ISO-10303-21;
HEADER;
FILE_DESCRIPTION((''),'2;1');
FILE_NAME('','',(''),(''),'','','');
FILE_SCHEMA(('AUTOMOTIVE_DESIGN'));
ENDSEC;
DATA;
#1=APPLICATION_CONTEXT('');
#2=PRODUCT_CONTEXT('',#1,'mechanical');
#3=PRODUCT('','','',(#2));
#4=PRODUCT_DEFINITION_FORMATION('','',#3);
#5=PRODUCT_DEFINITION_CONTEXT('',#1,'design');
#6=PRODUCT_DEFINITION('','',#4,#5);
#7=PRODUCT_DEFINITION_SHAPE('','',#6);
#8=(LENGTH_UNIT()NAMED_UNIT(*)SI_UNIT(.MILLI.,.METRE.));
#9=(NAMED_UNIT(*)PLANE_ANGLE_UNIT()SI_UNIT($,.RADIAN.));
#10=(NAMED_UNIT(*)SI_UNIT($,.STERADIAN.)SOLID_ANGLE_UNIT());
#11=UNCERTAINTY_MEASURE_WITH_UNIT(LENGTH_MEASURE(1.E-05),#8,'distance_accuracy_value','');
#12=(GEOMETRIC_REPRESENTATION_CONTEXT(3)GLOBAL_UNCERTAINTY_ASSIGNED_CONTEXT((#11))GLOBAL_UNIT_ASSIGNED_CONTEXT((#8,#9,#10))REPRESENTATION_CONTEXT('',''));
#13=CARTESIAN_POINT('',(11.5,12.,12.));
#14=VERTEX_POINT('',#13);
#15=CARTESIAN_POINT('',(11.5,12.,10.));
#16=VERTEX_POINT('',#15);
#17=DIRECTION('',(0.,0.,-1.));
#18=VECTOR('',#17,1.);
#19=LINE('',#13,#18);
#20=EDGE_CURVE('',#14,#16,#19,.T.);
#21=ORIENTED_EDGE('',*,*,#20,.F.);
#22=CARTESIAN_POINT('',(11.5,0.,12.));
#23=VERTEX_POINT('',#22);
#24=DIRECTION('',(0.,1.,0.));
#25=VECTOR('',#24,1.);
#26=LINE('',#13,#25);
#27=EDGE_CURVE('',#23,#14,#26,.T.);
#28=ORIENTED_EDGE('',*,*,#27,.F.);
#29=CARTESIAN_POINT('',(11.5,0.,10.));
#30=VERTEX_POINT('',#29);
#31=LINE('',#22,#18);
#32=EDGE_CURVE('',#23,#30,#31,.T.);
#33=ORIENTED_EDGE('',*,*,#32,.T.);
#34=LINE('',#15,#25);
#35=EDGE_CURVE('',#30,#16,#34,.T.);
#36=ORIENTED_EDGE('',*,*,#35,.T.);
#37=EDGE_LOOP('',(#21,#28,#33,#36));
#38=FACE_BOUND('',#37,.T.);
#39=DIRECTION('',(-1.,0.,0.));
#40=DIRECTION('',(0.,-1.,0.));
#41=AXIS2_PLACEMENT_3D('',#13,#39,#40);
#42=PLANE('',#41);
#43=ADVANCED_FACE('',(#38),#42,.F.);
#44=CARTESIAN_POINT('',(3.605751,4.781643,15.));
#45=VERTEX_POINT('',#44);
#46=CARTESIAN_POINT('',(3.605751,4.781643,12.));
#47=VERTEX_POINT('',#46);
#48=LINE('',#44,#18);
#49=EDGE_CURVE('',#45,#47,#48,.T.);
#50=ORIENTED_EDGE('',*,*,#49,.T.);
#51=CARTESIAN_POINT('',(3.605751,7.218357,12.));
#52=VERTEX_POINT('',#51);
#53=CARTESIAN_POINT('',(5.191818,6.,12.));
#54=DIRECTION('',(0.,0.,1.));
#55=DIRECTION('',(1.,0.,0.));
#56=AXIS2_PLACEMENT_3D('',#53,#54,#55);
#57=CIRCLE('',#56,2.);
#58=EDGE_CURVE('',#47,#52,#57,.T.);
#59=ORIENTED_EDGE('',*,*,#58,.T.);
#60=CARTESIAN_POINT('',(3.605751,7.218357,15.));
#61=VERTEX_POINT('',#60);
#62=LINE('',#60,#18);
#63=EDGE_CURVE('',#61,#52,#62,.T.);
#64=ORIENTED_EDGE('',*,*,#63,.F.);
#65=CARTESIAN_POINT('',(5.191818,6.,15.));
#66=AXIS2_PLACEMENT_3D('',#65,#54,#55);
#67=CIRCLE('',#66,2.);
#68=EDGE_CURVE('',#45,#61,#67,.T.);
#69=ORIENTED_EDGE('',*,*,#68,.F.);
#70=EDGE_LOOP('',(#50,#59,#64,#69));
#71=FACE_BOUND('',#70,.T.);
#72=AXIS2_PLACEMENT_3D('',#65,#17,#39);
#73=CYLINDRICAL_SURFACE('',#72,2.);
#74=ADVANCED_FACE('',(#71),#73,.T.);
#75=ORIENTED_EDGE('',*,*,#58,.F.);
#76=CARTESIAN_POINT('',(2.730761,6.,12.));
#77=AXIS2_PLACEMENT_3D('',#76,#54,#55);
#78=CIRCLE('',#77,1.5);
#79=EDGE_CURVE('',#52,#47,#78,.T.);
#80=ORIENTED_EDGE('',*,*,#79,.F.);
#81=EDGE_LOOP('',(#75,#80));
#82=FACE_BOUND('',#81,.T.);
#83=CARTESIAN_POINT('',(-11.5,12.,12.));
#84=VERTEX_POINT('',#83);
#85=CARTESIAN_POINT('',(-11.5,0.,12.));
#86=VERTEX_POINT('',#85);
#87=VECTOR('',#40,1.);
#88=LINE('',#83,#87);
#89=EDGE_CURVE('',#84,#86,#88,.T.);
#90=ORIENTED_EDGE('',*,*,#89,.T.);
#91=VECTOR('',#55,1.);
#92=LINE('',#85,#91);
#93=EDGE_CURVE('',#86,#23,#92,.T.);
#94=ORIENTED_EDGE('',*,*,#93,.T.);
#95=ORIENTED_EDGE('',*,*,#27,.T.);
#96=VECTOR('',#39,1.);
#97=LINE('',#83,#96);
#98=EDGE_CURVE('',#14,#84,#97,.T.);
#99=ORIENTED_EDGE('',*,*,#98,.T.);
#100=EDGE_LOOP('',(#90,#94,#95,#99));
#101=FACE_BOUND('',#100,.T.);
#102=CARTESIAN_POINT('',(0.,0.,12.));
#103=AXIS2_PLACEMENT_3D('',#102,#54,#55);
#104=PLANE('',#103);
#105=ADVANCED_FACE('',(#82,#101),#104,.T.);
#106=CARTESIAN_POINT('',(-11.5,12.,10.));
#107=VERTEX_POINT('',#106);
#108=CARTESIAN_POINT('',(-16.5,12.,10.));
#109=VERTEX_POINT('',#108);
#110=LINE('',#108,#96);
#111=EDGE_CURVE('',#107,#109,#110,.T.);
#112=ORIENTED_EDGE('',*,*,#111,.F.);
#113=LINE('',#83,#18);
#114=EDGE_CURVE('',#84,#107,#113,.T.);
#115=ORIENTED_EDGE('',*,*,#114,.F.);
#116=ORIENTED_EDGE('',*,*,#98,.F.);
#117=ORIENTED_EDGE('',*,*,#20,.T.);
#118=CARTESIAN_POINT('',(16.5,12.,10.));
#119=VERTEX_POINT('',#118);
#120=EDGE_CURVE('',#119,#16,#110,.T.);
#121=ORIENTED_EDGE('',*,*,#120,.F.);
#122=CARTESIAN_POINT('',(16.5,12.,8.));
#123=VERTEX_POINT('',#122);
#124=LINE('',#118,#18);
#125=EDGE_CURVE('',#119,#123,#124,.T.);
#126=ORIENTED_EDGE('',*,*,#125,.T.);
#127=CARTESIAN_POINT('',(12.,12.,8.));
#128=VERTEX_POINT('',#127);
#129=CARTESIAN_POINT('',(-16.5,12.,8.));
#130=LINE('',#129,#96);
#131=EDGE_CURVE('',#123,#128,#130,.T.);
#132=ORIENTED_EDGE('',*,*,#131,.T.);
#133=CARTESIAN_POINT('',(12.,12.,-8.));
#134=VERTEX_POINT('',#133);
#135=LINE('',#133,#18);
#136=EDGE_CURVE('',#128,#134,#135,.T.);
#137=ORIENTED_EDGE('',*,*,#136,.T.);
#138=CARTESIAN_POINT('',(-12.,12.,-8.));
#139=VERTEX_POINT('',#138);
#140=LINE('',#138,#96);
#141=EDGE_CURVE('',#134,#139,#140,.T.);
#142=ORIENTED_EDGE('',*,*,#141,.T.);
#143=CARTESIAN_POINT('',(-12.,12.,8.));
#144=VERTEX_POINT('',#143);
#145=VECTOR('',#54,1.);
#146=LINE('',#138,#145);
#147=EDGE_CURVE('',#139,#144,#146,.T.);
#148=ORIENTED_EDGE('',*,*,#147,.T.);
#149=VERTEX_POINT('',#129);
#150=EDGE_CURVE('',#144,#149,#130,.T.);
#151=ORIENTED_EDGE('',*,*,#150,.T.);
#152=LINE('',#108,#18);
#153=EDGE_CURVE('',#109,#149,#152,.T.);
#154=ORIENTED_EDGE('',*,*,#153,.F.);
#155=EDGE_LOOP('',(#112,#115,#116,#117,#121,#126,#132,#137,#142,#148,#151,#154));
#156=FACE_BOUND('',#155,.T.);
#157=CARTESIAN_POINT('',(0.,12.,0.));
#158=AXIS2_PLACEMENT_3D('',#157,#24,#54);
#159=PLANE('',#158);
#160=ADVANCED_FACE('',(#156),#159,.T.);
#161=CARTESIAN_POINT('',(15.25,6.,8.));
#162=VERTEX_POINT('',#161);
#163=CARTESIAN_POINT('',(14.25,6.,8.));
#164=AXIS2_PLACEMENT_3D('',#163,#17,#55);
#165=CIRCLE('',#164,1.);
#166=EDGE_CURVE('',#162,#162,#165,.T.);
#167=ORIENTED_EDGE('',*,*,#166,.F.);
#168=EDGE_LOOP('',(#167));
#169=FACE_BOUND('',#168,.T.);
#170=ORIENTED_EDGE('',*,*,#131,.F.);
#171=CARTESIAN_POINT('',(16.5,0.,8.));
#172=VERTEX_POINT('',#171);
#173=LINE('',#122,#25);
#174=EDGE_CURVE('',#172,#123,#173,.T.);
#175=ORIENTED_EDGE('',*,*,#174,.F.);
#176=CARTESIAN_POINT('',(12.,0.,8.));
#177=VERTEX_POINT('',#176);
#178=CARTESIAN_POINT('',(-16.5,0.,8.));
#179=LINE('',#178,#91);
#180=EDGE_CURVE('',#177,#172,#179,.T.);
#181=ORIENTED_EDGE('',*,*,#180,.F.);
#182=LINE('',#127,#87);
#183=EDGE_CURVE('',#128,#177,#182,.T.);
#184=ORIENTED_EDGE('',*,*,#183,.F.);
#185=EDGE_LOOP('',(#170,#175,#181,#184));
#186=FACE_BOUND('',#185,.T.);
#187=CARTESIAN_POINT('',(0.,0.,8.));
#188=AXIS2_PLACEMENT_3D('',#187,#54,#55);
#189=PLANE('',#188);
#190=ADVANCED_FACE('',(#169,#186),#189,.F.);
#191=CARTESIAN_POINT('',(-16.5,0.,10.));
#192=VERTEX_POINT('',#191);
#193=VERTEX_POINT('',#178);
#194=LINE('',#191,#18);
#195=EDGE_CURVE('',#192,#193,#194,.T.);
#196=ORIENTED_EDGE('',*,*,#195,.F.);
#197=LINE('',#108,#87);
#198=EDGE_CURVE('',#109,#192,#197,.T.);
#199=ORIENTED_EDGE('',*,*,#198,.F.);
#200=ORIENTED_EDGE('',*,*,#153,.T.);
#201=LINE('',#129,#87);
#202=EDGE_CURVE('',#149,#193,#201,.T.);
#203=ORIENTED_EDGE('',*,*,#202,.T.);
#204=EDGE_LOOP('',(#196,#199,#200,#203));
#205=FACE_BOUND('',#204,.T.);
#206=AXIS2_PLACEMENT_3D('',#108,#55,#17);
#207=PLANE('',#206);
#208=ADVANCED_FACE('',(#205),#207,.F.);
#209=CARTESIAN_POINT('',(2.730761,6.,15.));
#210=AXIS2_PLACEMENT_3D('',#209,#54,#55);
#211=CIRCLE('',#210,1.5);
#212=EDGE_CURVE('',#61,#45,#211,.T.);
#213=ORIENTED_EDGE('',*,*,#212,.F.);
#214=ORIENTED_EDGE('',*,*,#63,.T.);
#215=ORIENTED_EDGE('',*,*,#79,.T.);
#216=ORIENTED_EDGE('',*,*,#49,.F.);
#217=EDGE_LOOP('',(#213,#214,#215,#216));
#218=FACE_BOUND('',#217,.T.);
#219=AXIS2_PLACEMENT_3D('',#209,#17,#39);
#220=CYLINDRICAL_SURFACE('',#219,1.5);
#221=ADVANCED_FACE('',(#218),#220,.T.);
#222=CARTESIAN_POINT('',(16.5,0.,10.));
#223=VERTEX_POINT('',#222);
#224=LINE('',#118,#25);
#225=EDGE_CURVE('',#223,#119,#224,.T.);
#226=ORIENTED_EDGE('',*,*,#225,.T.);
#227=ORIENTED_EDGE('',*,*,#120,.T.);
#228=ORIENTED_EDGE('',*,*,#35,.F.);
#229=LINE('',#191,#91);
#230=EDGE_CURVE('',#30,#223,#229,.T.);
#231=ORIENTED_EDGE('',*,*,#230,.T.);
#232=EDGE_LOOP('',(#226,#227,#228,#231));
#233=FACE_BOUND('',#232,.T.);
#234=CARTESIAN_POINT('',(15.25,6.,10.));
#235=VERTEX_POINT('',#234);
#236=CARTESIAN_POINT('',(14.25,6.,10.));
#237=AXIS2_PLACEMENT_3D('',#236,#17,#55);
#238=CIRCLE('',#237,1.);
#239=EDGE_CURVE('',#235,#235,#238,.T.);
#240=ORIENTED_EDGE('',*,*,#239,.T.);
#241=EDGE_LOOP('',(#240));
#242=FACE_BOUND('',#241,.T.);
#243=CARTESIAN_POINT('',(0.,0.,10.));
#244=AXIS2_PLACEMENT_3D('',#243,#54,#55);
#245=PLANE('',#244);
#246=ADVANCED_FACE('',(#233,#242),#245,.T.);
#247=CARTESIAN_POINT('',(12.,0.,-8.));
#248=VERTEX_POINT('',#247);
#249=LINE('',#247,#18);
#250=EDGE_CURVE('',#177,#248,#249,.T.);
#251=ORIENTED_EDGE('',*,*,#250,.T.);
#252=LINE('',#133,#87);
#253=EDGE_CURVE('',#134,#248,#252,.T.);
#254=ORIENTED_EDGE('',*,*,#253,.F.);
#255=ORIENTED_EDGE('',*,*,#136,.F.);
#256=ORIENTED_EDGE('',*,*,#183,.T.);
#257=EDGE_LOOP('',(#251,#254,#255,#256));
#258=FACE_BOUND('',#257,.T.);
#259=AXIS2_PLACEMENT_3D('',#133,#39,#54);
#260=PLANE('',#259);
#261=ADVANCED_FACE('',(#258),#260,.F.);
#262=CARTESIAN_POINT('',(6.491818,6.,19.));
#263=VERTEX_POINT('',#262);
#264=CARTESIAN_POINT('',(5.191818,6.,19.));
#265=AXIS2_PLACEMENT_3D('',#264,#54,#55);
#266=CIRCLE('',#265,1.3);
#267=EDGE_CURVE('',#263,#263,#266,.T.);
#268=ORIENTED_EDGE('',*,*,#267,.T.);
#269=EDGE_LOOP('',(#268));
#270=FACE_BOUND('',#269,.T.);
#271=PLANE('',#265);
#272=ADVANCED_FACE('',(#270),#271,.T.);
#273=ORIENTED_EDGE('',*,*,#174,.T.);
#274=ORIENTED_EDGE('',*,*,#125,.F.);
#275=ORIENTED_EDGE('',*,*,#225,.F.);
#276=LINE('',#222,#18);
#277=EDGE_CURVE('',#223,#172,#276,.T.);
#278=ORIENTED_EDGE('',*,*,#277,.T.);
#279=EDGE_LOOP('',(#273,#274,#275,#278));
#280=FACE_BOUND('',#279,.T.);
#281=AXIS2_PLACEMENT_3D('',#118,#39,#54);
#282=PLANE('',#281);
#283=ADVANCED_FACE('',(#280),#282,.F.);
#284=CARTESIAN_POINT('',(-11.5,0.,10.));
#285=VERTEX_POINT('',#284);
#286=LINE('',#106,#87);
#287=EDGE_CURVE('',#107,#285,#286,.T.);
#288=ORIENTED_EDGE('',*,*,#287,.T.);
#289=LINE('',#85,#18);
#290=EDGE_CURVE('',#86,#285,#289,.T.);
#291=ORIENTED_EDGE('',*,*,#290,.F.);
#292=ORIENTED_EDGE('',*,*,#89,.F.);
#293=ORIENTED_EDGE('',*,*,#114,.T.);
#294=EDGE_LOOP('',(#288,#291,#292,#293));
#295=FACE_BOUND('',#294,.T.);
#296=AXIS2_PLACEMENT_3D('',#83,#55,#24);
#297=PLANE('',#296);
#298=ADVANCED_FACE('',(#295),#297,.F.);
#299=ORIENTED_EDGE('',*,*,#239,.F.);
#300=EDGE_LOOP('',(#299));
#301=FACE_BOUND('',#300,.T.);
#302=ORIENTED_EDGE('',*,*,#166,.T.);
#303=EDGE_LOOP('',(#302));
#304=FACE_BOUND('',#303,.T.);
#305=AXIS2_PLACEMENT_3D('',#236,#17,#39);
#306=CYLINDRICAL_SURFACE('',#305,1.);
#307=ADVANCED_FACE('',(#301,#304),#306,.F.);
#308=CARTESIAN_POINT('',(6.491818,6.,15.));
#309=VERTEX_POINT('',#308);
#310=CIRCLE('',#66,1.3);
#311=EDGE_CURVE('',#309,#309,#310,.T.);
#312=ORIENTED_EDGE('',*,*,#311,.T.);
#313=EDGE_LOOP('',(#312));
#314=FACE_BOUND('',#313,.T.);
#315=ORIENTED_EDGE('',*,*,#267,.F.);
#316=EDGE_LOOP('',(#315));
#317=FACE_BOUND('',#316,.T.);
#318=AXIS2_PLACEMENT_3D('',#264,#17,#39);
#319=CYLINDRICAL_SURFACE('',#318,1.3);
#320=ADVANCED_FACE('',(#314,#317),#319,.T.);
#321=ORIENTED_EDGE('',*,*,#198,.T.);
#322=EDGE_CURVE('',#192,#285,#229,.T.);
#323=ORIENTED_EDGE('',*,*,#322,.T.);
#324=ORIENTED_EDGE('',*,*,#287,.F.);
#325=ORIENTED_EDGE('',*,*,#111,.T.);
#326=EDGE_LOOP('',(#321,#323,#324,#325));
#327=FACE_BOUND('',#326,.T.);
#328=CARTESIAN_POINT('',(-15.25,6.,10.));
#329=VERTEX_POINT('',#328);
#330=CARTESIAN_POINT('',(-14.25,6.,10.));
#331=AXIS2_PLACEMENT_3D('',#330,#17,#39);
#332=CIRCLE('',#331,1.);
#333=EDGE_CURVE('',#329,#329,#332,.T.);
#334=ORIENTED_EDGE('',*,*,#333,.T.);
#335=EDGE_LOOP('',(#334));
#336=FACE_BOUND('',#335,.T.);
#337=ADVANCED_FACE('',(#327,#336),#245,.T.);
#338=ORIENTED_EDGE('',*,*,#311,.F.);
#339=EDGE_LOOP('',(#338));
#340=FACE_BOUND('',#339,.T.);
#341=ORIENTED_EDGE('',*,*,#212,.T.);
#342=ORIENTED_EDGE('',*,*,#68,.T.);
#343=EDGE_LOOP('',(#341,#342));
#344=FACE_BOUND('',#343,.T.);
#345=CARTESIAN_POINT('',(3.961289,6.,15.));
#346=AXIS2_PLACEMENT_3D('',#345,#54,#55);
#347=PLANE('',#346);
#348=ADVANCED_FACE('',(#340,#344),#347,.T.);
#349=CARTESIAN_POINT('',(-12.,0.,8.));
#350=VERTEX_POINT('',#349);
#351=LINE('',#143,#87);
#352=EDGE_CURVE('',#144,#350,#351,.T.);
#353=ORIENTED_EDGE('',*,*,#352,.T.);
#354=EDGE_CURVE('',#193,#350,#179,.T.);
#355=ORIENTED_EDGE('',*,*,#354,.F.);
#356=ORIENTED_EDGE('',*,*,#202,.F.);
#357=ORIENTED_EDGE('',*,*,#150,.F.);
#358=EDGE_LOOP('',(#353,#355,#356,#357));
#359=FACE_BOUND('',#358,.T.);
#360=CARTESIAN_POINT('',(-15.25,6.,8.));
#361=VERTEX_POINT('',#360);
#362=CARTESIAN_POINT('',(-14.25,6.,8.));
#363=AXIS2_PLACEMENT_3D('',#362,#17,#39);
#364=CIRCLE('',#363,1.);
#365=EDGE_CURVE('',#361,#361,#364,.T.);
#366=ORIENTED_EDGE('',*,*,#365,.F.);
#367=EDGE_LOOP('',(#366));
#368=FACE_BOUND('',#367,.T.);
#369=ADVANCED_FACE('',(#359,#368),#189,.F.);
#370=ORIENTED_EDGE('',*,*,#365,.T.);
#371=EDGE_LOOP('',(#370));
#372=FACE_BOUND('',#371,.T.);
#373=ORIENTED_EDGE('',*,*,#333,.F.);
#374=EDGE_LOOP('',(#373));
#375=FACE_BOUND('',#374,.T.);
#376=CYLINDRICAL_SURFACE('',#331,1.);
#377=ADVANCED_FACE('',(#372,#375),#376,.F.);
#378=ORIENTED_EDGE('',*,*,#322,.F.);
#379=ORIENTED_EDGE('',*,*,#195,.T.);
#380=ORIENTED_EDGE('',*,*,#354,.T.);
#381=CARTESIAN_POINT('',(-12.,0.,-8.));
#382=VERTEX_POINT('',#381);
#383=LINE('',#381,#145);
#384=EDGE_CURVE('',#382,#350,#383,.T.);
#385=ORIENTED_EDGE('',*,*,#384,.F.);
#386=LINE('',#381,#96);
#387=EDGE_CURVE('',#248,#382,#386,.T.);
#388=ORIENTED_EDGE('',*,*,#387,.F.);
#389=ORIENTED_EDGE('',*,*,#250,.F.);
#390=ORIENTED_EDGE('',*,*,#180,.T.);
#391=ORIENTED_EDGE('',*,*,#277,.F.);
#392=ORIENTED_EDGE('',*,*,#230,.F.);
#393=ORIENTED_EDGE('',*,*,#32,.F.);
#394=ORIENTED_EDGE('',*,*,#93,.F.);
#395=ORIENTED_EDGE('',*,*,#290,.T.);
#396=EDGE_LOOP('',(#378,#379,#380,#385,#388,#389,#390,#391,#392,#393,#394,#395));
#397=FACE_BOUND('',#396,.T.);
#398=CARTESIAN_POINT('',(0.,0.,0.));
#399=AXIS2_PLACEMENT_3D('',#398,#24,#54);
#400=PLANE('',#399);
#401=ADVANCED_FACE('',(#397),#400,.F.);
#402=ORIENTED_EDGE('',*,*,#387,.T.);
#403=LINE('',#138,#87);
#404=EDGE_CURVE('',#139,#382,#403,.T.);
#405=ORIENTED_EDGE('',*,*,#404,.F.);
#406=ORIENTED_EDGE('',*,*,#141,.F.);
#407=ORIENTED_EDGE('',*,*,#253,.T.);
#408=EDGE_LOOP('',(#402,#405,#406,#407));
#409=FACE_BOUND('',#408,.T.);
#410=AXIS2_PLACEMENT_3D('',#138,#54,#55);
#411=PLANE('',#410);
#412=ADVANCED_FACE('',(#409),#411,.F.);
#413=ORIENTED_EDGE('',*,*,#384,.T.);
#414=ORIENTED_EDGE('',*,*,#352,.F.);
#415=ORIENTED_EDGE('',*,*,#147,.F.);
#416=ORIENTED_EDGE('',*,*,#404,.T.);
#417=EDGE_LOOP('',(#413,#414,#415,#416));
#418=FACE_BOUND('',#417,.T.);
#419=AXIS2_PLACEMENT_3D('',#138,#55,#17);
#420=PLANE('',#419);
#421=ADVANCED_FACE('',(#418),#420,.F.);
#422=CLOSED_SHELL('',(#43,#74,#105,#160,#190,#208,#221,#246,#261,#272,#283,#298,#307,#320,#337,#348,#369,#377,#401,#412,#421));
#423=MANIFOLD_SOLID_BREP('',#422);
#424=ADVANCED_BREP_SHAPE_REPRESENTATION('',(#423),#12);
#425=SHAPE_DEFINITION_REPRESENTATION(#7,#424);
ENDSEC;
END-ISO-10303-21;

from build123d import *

# Parameters (mm, degrees)
SKETCH_1_W          = 24
SKETCH_1_H          = 16
EXTRUDE_1_DEPTH     = 12
SKETCH_2_W          = 33
SKETCH_2_H          = 12
EXTRUDE_2_DEPTH     = 2
SKETCH_3_R          = 1
CUT_EXTRUDE_1_DEPTH = 2
SKETCH_4_W          = 23
SKETCH_4_H          = 12
EXTRUDE_3_DEPTH     = 2
EXTRUDE_4_DEPTH     = 3
SKETCH_7_R          = 1.3
EXTRUDE_5_DEPTH     = 4


with BuildPart() as part:
    # 草图1 → 凸台-拉伸1 (new body)
    with BuildSketch(Plane(origin=(0, 0, 0), x_dir=(1, 0, 0), z_dir=(0, 1, 0))):
        Rectangle(SKETCH_1_W, SKETCH_1_H)
    extrude(amount=EXTRUDE_1_DEPTH)

    # 草图2 → 凸台-拉伸2 (add)
    with BuildSketch(Plane.XY.offset(8)):
        with Locations((0, 6)):
            Rectangle(SKETCH_2_W, SKETCH_2_H)
    extrude(amount=EXTRUDE_2_DEPTH)

    # 草图3 → 切除-拉伸1 (cut)
    with BuildSketch(Plane(origin=(0, 0, 8), x_dir=(-1, 0, 0), z_dir=(0, 0, -1))):
        with Locations((14.25, 6)):
            Circle(SKETCH_3_R)
        with Locations((-14.25, 6)):
            Circle(SKETCH_3_R)
    extrude(amount=-CUT_EXTRUDE_1_DEPTH, mode=Mode.SUBTRACT)

    # 草图4 → 凸台-拉伸3 (add)
    with BuildSketch(Plane.XY.offset(10)):
        with Locations((0, 6)):
            Rectangle(SKETCH_4_W, SKETCH_4_H)
    extrude(amount=EXTRUDE_3_DEPTH)

    # 草图6 → 凸台-拉伸4 (add)
    with BuildSketch(Plane.XY.offset(12)):
        with BuildLine():
            ThreePointArc((3.605751042, 4.7816434), (7.191817621, 6), (3.605751042, 7.2183566))
            ThreePointArc((3.605751042, 7.2183566), (1.230761216, 6), (3.605751042, 4.7816434))
        make_face()
    extrude(amount=EXTRUDE_4_DEPTH)

    # 草图7 → 凸台-拉伸5 (add)
    with BuildSketch(Plane.XY.offset(15)):
        with Locations((5.191817621, 6)):
            Circle(SKETCH_7_R)
    extrude(amount=EXTRUDE_5_DEPTH)


solid = part.part
